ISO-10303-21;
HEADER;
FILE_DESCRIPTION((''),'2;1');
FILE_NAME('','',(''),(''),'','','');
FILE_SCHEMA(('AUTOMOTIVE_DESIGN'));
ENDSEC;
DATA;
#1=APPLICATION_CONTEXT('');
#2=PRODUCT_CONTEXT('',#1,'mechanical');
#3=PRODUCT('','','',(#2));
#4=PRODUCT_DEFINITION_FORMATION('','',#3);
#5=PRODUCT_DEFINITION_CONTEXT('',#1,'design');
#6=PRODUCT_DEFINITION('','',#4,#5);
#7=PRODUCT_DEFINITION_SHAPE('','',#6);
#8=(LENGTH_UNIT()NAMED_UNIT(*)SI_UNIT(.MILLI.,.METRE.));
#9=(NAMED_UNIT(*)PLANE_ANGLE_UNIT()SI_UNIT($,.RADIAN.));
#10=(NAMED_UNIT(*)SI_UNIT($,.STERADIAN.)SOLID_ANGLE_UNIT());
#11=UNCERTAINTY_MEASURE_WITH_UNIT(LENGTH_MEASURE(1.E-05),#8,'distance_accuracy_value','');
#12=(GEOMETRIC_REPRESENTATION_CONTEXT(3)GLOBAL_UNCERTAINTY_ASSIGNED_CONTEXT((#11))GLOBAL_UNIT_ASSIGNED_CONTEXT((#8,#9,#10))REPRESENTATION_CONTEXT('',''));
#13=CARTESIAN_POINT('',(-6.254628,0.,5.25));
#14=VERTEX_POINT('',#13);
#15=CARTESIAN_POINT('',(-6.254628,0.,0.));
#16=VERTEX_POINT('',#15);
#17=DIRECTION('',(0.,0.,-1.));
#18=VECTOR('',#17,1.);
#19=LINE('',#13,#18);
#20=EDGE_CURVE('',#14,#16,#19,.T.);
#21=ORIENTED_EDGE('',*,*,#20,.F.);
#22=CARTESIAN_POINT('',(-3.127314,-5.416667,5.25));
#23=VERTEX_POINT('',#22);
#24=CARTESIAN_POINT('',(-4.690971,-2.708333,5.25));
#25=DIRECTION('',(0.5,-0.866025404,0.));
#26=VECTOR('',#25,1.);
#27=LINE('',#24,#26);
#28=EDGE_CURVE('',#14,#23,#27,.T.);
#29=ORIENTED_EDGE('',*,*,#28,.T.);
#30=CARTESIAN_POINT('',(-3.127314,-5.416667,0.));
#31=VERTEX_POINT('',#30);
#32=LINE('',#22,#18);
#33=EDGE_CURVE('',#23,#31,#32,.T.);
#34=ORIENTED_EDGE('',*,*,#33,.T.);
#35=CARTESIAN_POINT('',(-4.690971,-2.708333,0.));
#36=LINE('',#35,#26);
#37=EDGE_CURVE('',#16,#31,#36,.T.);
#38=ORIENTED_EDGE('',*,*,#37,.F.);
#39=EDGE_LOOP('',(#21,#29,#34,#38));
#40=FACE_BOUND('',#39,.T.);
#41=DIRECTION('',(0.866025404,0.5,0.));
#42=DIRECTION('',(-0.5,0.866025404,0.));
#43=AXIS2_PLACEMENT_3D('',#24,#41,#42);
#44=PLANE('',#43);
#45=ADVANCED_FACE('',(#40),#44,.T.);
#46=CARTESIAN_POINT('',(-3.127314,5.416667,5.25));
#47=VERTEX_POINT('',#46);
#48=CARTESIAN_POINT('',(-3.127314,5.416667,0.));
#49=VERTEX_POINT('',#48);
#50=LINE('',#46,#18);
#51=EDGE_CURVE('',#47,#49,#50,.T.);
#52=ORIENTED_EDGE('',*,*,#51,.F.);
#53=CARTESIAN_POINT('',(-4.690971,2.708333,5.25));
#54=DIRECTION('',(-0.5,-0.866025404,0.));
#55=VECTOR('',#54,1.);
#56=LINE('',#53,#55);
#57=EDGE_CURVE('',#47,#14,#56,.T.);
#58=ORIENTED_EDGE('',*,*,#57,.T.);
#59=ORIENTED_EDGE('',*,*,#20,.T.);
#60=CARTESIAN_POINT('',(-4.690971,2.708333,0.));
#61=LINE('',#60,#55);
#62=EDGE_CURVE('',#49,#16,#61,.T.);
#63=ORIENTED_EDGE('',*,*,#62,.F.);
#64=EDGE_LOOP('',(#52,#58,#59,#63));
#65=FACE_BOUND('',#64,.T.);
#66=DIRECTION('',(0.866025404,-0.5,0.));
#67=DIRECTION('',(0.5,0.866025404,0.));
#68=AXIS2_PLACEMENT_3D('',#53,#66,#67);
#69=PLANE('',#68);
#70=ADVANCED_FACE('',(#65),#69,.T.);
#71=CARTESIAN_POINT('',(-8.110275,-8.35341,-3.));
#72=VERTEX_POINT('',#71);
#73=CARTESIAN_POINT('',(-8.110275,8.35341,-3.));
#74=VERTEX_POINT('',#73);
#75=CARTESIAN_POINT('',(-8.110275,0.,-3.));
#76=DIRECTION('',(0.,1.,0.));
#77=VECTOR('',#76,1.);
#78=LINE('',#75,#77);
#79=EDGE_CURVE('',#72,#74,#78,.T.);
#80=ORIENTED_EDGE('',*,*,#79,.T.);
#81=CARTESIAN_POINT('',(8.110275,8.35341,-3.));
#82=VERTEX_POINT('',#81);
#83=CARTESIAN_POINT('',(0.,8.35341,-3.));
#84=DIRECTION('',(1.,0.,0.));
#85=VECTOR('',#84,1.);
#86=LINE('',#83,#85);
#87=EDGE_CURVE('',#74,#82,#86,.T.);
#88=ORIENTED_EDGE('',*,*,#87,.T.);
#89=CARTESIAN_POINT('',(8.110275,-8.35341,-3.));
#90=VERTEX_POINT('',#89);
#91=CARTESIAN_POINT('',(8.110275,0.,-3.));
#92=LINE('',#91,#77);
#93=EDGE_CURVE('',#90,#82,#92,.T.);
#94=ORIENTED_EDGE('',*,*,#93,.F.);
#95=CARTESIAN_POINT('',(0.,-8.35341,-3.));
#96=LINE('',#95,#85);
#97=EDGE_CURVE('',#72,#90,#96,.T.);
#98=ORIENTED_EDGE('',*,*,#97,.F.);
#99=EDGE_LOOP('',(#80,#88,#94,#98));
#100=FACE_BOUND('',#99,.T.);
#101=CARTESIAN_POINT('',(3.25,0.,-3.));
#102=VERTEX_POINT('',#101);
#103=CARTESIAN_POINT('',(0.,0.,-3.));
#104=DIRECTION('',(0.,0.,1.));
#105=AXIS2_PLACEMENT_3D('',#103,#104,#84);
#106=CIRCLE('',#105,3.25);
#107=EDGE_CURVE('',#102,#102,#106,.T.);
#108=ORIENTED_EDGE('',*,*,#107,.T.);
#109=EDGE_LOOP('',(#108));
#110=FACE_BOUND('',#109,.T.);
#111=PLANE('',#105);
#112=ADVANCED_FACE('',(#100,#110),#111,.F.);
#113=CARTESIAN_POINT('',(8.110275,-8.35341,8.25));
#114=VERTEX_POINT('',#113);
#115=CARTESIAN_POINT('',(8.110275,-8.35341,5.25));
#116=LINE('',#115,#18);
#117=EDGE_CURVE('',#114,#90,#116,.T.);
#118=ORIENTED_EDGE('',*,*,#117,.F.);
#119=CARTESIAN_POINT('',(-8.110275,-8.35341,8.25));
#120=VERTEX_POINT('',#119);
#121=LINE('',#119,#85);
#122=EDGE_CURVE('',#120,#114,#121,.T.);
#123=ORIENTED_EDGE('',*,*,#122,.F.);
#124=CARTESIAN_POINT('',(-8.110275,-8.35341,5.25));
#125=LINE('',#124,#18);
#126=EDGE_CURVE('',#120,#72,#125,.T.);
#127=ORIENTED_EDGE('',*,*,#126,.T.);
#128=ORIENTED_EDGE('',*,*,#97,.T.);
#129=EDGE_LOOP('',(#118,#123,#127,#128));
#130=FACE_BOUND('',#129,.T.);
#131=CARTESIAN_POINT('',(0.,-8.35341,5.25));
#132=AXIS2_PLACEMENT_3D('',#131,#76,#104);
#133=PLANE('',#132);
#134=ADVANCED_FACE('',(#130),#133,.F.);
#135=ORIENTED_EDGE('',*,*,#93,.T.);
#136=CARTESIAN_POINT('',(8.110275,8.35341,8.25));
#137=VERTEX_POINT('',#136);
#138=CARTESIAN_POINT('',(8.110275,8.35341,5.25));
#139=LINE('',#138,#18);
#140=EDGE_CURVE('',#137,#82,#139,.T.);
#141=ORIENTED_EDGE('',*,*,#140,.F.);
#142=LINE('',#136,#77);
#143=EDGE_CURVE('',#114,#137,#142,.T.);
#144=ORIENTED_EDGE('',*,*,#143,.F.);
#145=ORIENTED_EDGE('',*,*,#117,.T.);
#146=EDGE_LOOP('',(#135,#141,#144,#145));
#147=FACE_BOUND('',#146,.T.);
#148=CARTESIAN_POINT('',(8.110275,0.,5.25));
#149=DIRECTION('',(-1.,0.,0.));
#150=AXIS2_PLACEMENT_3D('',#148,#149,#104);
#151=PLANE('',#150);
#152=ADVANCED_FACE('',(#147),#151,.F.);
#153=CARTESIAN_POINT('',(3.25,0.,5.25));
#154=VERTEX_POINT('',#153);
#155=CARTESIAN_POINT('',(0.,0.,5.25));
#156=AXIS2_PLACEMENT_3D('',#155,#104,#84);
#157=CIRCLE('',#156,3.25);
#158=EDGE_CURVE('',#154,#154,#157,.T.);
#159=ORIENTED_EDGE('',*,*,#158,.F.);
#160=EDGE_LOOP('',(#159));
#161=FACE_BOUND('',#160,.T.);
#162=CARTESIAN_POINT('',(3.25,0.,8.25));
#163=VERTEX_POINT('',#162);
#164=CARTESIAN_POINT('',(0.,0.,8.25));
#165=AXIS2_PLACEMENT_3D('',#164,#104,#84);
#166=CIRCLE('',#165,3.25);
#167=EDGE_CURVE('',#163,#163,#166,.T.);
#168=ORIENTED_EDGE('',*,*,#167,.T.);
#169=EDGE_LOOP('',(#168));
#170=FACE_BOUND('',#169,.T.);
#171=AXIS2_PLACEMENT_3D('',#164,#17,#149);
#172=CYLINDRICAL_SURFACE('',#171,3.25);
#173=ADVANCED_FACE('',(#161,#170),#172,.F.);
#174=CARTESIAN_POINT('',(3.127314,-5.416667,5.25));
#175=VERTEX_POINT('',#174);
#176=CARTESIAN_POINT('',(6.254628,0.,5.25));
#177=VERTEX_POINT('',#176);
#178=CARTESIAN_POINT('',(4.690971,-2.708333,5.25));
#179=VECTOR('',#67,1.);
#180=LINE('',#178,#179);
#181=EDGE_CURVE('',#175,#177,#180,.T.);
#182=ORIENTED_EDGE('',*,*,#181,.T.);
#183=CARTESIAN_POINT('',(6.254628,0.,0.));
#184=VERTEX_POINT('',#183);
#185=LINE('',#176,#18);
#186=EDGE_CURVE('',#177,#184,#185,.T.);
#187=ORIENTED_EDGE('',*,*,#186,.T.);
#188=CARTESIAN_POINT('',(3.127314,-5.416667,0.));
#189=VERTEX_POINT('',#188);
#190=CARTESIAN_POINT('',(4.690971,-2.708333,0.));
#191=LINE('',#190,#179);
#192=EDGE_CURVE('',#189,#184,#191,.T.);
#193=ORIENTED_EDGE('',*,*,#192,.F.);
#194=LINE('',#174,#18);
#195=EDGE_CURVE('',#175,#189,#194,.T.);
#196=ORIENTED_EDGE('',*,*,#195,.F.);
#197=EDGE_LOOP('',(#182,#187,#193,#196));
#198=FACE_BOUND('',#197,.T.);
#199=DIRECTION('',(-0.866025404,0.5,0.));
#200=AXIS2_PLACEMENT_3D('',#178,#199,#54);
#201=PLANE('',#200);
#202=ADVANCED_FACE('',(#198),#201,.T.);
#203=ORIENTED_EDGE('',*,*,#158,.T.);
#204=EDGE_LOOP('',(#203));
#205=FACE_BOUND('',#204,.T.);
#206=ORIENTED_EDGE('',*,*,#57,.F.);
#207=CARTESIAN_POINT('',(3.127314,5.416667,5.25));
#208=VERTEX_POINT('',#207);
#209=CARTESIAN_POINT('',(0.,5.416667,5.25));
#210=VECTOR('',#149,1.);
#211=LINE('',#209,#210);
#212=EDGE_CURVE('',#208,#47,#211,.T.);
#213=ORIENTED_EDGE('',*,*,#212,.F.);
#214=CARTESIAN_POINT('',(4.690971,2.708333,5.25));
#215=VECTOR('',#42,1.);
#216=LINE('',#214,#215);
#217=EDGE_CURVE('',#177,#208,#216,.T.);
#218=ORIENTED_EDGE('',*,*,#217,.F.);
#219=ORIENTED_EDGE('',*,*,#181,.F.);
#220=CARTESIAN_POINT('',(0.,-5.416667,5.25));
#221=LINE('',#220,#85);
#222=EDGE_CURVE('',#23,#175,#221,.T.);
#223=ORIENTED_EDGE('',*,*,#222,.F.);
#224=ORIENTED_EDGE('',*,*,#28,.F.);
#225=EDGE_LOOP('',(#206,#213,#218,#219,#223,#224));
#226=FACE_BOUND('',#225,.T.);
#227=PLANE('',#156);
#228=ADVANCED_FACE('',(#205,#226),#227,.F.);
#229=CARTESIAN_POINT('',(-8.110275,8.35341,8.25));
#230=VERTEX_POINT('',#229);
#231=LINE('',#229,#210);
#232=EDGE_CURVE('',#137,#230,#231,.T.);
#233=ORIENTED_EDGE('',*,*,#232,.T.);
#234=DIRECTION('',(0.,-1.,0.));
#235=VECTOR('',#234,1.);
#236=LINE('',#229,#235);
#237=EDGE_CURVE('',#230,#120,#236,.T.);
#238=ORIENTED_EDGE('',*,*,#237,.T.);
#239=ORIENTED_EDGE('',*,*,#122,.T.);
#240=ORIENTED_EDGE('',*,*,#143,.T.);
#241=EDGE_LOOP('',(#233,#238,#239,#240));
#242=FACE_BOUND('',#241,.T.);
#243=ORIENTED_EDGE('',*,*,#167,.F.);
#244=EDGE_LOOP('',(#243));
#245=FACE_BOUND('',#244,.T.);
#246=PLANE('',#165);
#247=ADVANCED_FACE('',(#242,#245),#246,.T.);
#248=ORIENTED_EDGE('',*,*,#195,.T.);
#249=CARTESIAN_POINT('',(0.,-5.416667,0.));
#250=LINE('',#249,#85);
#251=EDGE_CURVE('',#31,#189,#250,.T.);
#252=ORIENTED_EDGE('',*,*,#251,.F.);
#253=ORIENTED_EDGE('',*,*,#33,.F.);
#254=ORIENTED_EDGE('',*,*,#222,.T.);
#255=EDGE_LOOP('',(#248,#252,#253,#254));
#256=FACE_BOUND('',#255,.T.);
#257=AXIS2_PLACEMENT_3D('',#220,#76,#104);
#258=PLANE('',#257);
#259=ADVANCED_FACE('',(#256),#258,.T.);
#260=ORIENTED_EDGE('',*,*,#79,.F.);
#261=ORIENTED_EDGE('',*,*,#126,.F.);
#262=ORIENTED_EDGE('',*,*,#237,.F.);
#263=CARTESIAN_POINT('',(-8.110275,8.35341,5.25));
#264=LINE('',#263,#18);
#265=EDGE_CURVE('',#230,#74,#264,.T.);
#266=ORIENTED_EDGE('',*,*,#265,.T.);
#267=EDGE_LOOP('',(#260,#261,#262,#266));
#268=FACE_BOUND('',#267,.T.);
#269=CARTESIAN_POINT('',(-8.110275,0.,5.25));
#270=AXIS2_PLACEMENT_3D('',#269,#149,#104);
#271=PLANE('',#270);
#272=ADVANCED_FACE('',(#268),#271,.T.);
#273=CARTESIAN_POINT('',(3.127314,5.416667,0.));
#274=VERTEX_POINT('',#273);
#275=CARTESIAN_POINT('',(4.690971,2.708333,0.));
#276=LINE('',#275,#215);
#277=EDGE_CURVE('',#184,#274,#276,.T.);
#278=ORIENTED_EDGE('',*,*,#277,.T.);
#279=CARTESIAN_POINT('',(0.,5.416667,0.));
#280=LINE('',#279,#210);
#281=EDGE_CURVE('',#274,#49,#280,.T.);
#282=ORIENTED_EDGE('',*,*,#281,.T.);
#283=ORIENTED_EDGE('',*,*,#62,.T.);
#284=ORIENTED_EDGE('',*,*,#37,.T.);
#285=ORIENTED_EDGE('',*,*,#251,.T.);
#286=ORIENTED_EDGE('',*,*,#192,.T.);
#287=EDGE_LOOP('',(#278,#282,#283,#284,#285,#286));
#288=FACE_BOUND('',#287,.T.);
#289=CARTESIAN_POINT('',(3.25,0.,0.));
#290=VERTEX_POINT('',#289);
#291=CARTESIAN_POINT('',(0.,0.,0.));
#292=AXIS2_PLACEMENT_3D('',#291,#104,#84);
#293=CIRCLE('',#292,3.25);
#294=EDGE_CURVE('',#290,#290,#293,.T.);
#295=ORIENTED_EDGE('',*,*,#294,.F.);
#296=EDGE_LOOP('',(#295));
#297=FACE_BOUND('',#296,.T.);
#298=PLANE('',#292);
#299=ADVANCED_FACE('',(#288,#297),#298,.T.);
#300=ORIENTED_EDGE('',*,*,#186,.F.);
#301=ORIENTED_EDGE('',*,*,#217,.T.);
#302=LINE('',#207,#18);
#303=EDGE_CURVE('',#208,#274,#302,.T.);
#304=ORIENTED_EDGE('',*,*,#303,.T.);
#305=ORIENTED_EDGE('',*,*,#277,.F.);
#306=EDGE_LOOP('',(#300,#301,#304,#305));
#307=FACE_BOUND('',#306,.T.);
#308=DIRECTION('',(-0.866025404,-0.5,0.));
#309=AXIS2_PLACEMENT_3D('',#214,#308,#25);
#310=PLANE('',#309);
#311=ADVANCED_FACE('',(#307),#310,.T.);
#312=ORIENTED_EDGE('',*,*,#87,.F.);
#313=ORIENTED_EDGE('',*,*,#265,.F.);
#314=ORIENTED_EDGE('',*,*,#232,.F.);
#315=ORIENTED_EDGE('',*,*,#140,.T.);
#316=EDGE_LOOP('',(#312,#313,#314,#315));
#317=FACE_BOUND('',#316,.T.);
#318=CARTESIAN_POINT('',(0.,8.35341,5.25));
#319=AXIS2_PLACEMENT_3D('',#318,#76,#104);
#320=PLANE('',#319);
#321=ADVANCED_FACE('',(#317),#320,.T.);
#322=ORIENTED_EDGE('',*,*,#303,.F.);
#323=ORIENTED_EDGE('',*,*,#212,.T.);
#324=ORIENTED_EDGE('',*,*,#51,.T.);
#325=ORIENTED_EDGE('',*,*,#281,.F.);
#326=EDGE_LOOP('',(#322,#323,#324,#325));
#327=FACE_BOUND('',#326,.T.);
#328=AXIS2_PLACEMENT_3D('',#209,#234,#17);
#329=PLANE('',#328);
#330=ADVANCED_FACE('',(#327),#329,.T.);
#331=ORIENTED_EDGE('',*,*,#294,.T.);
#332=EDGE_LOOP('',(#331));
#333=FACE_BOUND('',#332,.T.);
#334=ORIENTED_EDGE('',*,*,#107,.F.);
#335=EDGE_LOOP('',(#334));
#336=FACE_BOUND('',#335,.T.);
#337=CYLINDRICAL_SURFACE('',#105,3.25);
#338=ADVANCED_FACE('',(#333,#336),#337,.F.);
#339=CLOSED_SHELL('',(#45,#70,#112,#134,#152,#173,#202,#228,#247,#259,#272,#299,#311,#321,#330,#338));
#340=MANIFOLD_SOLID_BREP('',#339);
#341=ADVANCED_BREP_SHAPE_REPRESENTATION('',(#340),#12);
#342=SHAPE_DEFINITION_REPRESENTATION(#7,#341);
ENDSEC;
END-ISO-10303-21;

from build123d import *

# Parameters (mm, degrees)
SKETCH1_W           = 16.2205508
SKETCH1_H           = 16.7068193
BOSS_EXTRUDE1_DEPTH = 5.25
SKETCH2_W           = 16.2205508
SKETCH2_H           = 16.7068193
SKETCH2_R           = 3.25
BOSS_EXTRUDE2_DEPTH = 3
BOSS_EXTRUDE3_START = -3
SKETCH1_3_W         = 16.2205508
SKETCH1_3_H         = 16.7068193
SKETCH1_3_R         = 3.25
BOSS_EXTRUDE3_DEPTH = 3


with BuildPart() as part:
    # Sketch1 → Boss-Extrude1 (new body)
    with BuildSketch(Plane.XY):
        Rectangle(SKETCH1_W, SKETCH1_H)
        Polygon((3.127313958, 5.416666667), (6.254627916, 0), (3.127313958, -5.416666667), (-3.127313958, -5.416666667), (-6.254627916, 0), (-3.127313958, 5.416666667), align=None, mode=Mode.SUBTRACT)
    extrude(amount=BOSS_EXTRUDE1_DEPTH)

    # Sketch2 → Boss-Extrude2 (add)
    with BuildSketch(Plane.XY.offset(5.25)):
        Rectangle(SKETCH2_W, SKETCH2_H)
        Circle(SKETCH2_R, mode=Mode.SUBTRACT)
    extrude(amount=BOSS_EXTRUDE2_DEPTH)

    # Sketch1<3> → Boss-Extrude3 (add)
    with BuildSketch(Plane.XY.offset(BOSS_EXTRUDE3_START)):
        Rectangle(SKETCH1_3_W, SKETCH1_3_H)
        Circle(SKETCH1_3_R, mode=Mode.SUBTRACT)
    extrude(amount=BOSS_EXTRUDE3_DEPTH)


solid = part.part
